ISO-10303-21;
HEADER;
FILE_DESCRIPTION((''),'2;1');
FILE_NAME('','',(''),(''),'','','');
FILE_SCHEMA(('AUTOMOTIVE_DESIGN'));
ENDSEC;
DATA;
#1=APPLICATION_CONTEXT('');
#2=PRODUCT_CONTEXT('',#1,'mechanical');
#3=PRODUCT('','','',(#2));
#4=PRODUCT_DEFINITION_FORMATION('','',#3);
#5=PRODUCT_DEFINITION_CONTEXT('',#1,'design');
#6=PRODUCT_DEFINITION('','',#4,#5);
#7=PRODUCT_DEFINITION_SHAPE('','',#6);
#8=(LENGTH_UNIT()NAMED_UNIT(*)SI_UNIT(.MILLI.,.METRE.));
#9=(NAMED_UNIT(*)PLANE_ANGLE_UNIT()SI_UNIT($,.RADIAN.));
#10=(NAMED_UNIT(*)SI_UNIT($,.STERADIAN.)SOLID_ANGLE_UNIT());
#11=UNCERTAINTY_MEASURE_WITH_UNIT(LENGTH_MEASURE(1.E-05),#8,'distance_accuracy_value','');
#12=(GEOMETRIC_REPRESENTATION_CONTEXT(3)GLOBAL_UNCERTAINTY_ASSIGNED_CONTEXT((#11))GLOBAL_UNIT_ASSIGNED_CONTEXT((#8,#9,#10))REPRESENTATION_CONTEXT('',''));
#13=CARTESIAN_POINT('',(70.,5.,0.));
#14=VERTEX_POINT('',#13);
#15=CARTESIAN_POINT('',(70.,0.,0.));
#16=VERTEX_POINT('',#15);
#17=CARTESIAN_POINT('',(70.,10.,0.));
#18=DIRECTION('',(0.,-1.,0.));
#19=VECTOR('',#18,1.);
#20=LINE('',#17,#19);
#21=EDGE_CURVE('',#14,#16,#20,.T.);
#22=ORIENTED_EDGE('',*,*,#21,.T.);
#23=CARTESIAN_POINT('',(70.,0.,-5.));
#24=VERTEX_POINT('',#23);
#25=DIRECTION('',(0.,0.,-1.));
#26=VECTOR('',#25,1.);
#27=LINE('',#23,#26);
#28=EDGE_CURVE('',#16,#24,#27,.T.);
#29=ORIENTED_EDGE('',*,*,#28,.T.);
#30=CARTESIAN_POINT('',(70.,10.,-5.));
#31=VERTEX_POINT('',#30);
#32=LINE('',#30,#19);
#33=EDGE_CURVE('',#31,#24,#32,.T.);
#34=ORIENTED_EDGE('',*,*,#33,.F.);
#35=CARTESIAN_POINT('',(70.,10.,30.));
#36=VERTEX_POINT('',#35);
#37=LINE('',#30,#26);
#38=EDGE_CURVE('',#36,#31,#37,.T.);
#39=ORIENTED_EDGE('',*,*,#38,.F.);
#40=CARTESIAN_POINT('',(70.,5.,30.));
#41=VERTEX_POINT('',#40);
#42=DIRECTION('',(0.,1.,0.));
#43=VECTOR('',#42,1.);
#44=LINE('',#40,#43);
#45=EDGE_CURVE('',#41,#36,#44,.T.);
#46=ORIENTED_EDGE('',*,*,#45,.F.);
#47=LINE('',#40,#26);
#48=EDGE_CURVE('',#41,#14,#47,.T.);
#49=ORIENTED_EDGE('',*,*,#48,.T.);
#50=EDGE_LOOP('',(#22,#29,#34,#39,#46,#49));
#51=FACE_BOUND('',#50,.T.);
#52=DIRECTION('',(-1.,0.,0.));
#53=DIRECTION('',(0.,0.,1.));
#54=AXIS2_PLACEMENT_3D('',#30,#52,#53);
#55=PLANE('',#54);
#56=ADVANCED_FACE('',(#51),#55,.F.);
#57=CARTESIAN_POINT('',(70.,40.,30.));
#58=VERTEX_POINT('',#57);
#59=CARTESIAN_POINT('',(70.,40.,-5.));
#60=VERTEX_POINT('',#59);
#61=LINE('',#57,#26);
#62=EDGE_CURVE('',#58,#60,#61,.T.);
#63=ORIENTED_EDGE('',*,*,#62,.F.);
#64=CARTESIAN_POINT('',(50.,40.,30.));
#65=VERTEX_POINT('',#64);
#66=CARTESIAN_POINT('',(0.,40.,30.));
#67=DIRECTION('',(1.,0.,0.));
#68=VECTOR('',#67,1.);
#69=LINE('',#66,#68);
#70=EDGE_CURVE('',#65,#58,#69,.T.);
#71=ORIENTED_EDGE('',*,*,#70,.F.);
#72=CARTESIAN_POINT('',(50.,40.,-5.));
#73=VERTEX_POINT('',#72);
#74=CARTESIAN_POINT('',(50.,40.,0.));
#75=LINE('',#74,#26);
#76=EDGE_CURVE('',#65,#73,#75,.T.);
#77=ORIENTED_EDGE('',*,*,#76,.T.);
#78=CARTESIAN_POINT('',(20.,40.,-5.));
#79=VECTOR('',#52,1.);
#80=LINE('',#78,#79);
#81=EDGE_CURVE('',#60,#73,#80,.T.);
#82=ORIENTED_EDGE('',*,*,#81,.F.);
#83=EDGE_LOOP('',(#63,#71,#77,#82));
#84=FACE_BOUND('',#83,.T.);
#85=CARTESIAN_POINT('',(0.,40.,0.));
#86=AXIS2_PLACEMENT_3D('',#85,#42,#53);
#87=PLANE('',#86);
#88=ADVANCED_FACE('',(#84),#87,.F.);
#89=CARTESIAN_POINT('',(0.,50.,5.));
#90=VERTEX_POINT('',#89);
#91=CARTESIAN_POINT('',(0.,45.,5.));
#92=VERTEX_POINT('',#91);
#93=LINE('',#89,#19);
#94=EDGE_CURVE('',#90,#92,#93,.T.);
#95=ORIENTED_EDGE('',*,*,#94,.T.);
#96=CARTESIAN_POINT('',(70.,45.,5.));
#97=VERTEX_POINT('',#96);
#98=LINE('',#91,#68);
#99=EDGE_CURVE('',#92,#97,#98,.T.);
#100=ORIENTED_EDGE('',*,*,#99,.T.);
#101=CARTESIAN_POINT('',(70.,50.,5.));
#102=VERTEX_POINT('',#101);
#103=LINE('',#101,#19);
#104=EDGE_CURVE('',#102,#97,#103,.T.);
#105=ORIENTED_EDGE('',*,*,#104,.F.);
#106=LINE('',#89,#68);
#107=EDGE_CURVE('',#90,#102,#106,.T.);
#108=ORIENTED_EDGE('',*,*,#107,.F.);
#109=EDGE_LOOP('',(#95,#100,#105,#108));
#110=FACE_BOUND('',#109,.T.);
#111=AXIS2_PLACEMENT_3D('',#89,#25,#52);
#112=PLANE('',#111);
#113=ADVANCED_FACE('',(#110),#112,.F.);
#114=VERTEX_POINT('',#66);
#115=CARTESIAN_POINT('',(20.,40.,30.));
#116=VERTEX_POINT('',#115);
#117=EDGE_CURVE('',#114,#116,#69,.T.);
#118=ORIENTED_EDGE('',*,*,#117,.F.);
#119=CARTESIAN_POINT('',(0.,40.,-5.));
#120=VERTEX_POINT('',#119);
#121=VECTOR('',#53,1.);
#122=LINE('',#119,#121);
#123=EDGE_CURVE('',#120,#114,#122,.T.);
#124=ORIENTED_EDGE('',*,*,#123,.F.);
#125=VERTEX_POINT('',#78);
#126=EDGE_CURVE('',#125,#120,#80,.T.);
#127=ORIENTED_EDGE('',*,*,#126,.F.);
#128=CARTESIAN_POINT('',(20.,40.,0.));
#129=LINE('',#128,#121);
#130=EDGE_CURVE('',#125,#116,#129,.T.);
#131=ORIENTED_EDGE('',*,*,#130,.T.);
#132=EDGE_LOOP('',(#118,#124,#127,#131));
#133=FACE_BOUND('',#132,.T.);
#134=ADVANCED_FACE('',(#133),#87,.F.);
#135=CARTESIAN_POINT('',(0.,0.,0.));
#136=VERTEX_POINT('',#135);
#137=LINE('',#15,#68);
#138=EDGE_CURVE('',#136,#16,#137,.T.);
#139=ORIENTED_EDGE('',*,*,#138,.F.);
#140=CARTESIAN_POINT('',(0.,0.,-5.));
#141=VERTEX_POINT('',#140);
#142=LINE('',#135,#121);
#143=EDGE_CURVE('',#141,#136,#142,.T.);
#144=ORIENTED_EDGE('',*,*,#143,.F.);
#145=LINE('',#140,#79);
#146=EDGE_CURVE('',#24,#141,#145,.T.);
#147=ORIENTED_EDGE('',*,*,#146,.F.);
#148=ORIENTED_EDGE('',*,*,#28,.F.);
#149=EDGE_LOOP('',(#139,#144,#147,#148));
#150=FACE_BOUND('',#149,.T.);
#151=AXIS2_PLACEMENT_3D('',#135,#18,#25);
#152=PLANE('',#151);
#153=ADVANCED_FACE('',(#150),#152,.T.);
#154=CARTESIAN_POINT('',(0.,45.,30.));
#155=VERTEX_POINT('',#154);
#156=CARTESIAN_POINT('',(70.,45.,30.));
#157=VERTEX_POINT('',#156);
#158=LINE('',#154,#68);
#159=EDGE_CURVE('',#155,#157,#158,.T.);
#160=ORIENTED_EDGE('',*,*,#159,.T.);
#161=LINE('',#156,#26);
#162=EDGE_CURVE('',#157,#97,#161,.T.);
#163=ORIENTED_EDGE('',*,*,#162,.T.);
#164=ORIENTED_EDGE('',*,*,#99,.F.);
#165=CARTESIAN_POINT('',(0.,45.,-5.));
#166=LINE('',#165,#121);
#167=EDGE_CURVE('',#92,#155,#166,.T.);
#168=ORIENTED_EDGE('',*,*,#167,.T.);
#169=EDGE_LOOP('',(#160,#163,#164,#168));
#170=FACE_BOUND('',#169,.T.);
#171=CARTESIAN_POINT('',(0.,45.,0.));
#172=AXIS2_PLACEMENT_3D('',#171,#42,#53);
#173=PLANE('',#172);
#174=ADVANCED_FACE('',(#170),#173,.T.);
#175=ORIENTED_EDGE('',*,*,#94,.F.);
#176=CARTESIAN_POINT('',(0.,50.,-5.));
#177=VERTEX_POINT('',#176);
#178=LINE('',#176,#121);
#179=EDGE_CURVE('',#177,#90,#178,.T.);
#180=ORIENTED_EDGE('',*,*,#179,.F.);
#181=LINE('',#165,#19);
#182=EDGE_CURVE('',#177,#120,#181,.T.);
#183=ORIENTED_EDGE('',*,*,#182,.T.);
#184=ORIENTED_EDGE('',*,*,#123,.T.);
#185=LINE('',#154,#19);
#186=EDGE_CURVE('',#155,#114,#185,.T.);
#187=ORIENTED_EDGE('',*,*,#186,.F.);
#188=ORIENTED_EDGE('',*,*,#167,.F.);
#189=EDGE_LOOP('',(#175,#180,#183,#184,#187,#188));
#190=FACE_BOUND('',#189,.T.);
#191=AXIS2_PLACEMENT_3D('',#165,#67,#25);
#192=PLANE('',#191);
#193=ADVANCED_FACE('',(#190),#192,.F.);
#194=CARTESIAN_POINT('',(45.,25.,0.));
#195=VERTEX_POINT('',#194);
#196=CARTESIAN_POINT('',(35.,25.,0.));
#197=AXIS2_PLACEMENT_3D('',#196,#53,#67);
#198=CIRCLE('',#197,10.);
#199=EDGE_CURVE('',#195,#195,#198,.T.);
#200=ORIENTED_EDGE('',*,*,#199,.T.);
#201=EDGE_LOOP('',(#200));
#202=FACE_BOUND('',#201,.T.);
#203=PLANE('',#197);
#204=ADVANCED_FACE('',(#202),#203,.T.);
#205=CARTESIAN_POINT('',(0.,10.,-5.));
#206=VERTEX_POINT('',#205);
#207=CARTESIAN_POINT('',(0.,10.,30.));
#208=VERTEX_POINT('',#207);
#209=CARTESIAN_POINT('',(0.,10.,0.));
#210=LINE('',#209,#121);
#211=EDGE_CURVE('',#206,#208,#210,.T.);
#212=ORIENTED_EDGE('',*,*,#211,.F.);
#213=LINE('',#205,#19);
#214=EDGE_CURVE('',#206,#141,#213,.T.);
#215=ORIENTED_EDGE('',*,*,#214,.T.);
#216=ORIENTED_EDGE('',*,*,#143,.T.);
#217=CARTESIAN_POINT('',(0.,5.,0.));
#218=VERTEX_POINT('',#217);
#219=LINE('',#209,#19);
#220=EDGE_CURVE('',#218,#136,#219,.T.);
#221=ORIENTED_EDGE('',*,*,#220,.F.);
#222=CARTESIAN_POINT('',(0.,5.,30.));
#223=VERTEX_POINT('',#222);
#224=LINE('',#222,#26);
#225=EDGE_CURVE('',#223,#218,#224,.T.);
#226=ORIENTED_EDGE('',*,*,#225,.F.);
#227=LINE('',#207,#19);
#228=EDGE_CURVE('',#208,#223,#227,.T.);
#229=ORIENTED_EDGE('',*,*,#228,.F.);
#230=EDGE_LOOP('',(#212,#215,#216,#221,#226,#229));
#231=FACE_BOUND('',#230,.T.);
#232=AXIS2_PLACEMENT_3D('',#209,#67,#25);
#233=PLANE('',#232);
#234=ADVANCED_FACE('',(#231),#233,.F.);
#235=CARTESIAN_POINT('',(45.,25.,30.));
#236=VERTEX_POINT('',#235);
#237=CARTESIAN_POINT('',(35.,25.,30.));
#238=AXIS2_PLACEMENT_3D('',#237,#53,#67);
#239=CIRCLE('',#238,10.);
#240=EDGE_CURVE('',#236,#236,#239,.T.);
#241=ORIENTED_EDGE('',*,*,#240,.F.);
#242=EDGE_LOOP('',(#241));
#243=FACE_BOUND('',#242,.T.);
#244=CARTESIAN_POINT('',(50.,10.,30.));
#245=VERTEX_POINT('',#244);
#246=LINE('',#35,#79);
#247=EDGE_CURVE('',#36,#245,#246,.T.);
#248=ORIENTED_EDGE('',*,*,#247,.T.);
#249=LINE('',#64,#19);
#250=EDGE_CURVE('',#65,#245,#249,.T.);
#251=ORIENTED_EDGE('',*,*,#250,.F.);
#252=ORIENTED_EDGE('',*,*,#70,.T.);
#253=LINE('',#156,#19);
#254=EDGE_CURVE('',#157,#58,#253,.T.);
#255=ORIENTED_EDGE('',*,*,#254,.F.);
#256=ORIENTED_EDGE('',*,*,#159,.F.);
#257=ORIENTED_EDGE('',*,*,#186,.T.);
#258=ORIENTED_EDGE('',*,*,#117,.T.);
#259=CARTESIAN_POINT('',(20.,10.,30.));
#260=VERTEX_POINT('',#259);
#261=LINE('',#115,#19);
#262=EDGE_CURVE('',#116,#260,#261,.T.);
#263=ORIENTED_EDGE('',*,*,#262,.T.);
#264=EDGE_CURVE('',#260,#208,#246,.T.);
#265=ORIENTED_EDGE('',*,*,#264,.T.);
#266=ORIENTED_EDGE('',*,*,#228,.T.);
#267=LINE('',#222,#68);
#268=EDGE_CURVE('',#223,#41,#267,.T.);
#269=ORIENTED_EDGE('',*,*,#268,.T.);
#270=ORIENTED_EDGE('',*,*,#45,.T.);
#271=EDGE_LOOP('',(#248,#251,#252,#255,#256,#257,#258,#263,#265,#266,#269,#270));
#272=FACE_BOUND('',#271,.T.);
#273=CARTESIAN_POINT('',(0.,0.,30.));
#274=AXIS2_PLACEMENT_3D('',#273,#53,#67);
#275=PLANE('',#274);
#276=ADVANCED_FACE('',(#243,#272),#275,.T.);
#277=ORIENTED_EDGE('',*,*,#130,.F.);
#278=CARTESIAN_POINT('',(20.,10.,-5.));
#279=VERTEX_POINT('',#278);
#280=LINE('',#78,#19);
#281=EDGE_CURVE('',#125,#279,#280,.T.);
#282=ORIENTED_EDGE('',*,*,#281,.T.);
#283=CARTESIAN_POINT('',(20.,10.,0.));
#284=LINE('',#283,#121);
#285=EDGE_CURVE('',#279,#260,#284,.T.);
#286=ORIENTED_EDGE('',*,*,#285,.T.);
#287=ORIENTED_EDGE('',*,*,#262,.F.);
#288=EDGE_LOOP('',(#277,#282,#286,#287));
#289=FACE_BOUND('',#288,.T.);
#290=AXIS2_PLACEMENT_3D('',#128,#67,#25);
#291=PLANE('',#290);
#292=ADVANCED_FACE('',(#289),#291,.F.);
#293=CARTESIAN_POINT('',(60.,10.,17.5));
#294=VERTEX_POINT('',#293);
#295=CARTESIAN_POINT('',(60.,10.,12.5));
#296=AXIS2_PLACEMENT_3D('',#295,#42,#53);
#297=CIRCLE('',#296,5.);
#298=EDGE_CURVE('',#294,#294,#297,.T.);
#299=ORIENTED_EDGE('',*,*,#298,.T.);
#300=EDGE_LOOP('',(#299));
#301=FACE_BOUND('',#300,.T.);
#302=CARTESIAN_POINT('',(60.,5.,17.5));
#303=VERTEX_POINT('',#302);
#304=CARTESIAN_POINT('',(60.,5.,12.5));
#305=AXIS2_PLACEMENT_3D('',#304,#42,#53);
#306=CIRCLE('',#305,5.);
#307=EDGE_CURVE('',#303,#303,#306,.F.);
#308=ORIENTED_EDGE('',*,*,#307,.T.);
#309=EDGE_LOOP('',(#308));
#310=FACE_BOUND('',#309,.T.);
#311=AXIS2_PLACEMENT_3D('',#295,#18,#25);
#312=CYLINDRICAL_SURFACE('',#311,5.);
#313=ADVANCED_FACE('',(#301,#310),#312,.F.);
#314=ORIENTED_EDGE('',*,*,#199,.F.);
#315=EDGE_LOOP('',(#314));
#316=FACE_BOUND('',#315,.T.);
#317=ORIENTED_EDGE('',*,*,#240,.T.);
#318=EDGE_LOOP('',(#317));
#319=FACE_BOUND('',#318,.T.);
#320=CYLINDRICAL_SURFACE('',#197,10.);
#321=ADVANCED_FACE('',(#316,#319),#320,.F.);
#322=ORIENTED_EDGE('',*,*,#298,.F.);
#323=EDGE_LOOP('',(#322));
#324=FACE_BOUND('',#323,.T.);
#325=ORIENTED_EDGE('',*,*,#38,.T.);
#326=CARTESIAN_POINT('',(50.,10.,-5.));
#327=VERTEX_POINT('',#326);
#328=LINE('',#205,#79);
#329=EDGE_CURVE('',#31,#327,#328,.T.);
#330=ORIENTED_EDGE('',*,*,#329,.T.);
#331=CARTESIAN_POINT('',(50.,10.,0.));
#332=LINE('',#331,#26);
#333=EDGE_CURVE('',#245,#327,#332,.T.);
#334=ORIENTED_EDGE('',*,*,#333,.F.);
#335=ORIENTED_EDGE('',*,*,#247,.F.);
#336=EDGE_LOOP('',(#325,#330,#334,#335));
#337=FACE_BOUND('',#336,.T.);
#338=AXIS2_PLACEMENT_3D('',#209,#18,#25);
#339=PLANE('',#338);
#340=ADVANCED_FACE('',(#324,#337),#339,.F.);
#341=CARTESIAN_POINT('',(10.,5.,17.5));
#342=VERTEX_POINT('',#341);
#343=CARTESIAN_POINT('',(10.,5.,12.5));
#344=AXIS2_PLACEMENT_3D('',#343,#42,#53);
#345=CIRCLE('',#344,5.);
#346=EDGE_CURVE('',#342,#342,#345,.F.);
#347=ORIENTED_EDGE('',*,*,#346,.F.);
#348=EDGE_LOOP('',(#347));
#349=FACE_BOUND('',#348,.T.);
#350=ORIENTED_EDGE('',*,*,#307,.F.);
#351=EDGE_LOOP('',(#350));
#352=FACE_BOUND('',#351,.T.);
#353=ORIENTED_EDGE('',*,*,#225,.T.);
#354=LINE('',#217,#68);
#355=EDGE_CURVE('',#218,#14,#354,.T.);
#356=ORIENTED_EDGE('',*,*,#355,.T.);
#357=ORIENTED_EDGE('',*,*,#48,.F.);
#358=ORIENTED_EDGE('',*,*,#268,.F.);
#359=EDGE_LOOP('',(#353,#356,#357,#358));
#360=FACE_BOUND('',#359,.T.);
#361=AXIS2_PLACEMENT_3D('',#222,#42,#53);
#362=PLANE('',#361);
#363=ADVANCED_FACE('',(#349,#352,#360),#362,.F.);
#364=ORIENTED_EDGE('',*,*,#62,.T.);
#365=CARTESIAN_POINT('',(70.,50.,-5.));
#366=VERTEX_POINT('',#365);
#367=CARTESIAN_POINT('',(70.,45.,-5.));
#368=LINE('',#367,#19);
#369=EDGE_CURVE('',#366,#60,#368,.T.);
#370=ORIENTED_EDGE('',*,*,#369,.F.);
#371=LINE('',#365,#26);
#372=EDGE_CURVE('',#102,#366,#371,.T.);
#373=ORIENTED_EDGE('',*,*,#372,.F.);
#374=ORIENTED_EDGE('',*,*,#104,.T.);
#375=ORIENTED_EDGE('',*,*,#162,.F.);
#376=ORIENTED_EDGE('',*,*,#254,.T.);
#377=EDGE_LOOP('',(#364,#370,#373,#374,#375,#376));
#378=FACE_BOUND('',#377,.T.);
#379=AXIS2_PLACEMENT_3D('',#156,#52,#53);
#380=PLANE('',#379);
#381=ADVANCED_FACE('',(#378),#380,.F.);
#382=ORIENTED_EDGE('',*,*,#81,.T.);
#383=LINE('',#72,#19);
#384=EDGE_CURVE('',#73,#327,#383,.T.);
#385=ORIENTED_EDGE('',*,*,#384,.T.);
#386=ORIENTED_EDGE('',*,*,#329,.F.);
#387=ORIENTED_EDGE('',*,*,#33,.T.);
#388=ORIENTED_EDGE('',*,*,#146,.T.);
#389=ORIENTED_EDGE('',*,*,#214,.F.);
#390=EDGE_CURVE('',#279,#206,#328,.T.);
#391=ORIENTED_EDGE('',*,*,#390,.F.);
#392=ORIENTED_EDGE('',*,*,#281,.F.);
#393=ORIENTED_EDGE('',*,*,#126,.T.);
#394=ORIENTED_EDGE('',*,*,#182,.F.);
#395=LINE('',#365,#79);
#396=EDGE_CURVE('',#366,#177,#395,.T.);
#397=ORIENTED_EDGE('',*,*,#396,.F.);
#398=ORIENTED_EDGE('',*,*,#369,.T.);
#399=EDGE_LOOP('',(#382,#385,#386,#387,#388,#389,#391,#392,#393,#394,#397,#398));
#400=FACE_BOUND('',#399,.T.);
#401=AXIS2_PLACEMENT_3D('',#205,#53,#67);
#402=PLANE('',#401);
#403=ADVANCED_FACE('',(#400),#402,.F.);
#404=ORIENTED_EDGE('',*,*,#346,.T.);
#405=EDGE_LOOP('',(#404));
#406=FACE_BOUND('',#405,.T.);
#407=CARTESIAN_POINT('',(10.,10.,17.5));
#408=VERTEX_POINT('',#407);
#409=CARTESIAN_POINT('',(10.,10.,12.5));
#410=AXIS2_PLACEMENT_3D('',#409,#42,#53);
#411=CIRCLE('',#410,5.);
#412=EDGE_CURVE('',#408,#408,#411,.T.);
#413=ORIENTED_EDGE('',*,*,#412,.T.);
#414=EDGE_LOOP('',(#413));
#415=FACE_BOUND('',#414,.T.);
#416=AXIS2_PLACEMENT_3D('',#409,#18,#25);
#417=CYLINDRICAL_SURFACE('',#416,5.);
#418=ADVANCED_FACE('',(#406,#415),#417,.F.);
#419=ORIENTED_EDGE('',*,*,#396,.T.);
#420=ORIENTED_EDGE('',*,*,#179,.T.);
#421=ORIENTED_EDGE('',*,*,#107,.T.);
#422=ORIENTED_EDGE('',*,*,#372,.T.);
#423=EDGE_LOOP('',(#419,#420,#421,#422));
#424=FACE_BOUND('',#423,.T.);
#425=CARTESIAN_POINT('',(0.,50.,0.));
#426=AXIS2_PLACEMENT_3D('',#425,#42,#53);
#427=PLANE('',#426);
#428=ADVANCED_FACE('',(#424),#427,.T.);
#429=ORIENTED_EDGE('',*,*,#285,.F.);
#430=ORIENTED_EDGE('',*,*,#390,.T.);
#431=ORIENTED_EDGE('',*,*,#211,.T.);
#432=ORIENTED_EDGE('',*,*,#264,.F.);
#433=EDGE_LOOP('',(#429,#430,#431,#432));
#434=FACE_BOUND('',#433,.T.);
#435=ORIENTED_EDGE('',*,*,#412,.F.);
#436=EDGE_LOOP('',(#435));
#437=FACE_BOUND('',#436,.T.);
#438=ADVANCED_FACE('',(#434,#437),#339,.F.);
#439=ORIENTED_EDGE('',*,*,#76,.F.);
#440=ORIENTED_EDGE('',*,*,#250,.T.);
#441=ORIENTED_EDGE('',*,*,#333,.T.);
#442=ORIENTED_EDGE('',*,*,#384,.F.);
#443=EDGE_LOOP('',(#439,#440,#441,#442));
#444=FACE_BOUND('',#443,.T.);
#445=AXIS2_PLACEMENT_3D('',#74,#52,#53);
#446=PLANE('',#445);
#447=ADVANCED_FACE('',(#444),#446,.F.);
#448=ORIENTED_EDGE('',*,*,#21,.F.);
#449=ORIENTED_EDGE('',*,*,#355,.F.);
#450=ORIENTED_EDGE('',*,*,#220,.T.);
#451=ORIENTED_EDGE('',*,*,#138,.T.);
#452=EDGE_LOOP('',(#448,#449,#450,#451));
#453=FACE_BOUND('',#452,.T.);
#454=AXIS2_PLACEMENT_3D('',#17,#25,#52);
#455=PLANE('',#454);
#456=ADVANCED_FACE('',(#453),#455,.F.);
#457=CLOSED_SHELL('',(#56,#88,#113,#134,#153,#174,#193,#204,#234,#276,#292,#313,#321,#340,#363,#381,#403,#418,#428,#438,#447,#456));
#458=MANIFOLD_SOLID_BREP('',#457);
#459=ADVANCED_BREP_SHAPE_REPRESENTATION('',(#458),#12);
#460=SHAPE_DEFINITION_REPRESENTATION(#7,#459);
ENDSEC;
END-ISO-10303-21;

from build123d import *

# Parameters (mm, degrees)
SKETCH1_W           = 70
SKETCH1_H           = 5
BOSS_EXTRUDE1_DEPTH = 10
SKETCH2_W           = 70
SKETCH2_H           = 5
BOSS_EXTRUDE2_DEPTH = 30
SKETCH3_R           = 5
CUT_EXTRUDE2_DEPTH  = 10
SKETCH4_R           = 5
CUT_EXTRUDE3_DEPTH  = 10
SKETCH6_W           = 30
SKETCH6_H           = 35
BOSS_EXTRUDE4_DEPTH = 30
BOSS_EXTRUDE5_DEPTH = 5
SKETCH8_W           = 70
SKETCH8_H           = 10
BOSS_EXTRUDE6_DEPTH = 5
SKETCH9_R           = 10
CUT_EXTRUDE4_DEPTH  = 30


with BuildPart() as part:
    # Sketch1 → Boss-Extrude1 (new body)
    with BuildSketch(Plane(origin=(0, 0, 0), x_dir=(1, 0, 0), z_dir=(0, 1, 0))):
        with Locations((35, 2.5)):
            Rectangle(SKETCH1_W, SKETCH1_H)
    extrude(amount=BOSS_EXTRUDE1_DEPTH)

    # Sketch2 → Boss-Extrude2 (add)
    with BuildSketch(Plane.XY):
        with Locations((35, 7.5)):
            Rectangle(SKETCH2_W, SKETCH2_H)
    extrude(amount=BOSS_EXTRUDE2_DEPTH)

    # Sketch3 → Cut-Extrude2 (cut)
    with BuildSketch(Plane(origin=(0, 0, 0), x_dir=(1, 0, 0), z_dir=(0, 1, 0))):
        with Locations((60, -12.5)):
            Circle(SKETCH3_R)
    extrude(amount=CUT_EXTRUDE2_DEPTH, mode=Mode.SUBTRACT)

    # Sketch4 → Cut-Extrude3 (cut)
    with BuildSketch(Plane(origin=(0, 0, 0), x_dir=(1, 0, 0), z_dir=(0, 1, 0))):
        with Locations((10, -12.5)):
            Circle(SKETCH4_R)
    extrude(amount=CUT_EXTRUDE3_DEPTH, mode=Mode.SUBTRACT)

    # Sketch6 → Boss-Extrude4 (add)
    with BuildSketch(Plane(origin=(0, 10, 0), x_dir=(1, 0, 0), z_dir=(0, 1, 0))):
        with Locations((35, -12.5)):
            Rectangle(SKETCH6_W, SKETCH6_H)
    extrude(amount=BOSS_EXTRUDE4_DEPTH)

    # Sketch7 → Boss-Extrude5 (add)
    with BuildSketch(Plane(origin=(0, 40, 0), x_dir=(1, 0, 0), z_dir=(0, 1, 0))):
        Polygon((20, 5), (0, 5), (0, -30), (70, -30), (70, 5), align=None)
    extrude(amount=BOSS_EXTRUDE5_DEPTH)

    # Sketch8 → Boss-Extrude6 (add)
    with BuildSketch(Plane(origin=(0, 45, 0), x_dir=(1, 0, 0), z_dir=(0, 1, 0))):
        with Locations((35, 0)):
            Rectangle(SKETCH8_W, SKETCH8_H)
    extrude(amount=BOSS_EXTRUDE6_DEPTH)

    # Sketch9 → Cut-Extrude4 (cut)
    with BuildSketch(Plane.XY.offset(30)):
        with Locations((35, 25)):
            Circle(SKETCH9_R)
    extrude(amount=-CUT_EXTRUDE4_DEPTH, mode=Mode.SUBTRACT)


solid = part.part
